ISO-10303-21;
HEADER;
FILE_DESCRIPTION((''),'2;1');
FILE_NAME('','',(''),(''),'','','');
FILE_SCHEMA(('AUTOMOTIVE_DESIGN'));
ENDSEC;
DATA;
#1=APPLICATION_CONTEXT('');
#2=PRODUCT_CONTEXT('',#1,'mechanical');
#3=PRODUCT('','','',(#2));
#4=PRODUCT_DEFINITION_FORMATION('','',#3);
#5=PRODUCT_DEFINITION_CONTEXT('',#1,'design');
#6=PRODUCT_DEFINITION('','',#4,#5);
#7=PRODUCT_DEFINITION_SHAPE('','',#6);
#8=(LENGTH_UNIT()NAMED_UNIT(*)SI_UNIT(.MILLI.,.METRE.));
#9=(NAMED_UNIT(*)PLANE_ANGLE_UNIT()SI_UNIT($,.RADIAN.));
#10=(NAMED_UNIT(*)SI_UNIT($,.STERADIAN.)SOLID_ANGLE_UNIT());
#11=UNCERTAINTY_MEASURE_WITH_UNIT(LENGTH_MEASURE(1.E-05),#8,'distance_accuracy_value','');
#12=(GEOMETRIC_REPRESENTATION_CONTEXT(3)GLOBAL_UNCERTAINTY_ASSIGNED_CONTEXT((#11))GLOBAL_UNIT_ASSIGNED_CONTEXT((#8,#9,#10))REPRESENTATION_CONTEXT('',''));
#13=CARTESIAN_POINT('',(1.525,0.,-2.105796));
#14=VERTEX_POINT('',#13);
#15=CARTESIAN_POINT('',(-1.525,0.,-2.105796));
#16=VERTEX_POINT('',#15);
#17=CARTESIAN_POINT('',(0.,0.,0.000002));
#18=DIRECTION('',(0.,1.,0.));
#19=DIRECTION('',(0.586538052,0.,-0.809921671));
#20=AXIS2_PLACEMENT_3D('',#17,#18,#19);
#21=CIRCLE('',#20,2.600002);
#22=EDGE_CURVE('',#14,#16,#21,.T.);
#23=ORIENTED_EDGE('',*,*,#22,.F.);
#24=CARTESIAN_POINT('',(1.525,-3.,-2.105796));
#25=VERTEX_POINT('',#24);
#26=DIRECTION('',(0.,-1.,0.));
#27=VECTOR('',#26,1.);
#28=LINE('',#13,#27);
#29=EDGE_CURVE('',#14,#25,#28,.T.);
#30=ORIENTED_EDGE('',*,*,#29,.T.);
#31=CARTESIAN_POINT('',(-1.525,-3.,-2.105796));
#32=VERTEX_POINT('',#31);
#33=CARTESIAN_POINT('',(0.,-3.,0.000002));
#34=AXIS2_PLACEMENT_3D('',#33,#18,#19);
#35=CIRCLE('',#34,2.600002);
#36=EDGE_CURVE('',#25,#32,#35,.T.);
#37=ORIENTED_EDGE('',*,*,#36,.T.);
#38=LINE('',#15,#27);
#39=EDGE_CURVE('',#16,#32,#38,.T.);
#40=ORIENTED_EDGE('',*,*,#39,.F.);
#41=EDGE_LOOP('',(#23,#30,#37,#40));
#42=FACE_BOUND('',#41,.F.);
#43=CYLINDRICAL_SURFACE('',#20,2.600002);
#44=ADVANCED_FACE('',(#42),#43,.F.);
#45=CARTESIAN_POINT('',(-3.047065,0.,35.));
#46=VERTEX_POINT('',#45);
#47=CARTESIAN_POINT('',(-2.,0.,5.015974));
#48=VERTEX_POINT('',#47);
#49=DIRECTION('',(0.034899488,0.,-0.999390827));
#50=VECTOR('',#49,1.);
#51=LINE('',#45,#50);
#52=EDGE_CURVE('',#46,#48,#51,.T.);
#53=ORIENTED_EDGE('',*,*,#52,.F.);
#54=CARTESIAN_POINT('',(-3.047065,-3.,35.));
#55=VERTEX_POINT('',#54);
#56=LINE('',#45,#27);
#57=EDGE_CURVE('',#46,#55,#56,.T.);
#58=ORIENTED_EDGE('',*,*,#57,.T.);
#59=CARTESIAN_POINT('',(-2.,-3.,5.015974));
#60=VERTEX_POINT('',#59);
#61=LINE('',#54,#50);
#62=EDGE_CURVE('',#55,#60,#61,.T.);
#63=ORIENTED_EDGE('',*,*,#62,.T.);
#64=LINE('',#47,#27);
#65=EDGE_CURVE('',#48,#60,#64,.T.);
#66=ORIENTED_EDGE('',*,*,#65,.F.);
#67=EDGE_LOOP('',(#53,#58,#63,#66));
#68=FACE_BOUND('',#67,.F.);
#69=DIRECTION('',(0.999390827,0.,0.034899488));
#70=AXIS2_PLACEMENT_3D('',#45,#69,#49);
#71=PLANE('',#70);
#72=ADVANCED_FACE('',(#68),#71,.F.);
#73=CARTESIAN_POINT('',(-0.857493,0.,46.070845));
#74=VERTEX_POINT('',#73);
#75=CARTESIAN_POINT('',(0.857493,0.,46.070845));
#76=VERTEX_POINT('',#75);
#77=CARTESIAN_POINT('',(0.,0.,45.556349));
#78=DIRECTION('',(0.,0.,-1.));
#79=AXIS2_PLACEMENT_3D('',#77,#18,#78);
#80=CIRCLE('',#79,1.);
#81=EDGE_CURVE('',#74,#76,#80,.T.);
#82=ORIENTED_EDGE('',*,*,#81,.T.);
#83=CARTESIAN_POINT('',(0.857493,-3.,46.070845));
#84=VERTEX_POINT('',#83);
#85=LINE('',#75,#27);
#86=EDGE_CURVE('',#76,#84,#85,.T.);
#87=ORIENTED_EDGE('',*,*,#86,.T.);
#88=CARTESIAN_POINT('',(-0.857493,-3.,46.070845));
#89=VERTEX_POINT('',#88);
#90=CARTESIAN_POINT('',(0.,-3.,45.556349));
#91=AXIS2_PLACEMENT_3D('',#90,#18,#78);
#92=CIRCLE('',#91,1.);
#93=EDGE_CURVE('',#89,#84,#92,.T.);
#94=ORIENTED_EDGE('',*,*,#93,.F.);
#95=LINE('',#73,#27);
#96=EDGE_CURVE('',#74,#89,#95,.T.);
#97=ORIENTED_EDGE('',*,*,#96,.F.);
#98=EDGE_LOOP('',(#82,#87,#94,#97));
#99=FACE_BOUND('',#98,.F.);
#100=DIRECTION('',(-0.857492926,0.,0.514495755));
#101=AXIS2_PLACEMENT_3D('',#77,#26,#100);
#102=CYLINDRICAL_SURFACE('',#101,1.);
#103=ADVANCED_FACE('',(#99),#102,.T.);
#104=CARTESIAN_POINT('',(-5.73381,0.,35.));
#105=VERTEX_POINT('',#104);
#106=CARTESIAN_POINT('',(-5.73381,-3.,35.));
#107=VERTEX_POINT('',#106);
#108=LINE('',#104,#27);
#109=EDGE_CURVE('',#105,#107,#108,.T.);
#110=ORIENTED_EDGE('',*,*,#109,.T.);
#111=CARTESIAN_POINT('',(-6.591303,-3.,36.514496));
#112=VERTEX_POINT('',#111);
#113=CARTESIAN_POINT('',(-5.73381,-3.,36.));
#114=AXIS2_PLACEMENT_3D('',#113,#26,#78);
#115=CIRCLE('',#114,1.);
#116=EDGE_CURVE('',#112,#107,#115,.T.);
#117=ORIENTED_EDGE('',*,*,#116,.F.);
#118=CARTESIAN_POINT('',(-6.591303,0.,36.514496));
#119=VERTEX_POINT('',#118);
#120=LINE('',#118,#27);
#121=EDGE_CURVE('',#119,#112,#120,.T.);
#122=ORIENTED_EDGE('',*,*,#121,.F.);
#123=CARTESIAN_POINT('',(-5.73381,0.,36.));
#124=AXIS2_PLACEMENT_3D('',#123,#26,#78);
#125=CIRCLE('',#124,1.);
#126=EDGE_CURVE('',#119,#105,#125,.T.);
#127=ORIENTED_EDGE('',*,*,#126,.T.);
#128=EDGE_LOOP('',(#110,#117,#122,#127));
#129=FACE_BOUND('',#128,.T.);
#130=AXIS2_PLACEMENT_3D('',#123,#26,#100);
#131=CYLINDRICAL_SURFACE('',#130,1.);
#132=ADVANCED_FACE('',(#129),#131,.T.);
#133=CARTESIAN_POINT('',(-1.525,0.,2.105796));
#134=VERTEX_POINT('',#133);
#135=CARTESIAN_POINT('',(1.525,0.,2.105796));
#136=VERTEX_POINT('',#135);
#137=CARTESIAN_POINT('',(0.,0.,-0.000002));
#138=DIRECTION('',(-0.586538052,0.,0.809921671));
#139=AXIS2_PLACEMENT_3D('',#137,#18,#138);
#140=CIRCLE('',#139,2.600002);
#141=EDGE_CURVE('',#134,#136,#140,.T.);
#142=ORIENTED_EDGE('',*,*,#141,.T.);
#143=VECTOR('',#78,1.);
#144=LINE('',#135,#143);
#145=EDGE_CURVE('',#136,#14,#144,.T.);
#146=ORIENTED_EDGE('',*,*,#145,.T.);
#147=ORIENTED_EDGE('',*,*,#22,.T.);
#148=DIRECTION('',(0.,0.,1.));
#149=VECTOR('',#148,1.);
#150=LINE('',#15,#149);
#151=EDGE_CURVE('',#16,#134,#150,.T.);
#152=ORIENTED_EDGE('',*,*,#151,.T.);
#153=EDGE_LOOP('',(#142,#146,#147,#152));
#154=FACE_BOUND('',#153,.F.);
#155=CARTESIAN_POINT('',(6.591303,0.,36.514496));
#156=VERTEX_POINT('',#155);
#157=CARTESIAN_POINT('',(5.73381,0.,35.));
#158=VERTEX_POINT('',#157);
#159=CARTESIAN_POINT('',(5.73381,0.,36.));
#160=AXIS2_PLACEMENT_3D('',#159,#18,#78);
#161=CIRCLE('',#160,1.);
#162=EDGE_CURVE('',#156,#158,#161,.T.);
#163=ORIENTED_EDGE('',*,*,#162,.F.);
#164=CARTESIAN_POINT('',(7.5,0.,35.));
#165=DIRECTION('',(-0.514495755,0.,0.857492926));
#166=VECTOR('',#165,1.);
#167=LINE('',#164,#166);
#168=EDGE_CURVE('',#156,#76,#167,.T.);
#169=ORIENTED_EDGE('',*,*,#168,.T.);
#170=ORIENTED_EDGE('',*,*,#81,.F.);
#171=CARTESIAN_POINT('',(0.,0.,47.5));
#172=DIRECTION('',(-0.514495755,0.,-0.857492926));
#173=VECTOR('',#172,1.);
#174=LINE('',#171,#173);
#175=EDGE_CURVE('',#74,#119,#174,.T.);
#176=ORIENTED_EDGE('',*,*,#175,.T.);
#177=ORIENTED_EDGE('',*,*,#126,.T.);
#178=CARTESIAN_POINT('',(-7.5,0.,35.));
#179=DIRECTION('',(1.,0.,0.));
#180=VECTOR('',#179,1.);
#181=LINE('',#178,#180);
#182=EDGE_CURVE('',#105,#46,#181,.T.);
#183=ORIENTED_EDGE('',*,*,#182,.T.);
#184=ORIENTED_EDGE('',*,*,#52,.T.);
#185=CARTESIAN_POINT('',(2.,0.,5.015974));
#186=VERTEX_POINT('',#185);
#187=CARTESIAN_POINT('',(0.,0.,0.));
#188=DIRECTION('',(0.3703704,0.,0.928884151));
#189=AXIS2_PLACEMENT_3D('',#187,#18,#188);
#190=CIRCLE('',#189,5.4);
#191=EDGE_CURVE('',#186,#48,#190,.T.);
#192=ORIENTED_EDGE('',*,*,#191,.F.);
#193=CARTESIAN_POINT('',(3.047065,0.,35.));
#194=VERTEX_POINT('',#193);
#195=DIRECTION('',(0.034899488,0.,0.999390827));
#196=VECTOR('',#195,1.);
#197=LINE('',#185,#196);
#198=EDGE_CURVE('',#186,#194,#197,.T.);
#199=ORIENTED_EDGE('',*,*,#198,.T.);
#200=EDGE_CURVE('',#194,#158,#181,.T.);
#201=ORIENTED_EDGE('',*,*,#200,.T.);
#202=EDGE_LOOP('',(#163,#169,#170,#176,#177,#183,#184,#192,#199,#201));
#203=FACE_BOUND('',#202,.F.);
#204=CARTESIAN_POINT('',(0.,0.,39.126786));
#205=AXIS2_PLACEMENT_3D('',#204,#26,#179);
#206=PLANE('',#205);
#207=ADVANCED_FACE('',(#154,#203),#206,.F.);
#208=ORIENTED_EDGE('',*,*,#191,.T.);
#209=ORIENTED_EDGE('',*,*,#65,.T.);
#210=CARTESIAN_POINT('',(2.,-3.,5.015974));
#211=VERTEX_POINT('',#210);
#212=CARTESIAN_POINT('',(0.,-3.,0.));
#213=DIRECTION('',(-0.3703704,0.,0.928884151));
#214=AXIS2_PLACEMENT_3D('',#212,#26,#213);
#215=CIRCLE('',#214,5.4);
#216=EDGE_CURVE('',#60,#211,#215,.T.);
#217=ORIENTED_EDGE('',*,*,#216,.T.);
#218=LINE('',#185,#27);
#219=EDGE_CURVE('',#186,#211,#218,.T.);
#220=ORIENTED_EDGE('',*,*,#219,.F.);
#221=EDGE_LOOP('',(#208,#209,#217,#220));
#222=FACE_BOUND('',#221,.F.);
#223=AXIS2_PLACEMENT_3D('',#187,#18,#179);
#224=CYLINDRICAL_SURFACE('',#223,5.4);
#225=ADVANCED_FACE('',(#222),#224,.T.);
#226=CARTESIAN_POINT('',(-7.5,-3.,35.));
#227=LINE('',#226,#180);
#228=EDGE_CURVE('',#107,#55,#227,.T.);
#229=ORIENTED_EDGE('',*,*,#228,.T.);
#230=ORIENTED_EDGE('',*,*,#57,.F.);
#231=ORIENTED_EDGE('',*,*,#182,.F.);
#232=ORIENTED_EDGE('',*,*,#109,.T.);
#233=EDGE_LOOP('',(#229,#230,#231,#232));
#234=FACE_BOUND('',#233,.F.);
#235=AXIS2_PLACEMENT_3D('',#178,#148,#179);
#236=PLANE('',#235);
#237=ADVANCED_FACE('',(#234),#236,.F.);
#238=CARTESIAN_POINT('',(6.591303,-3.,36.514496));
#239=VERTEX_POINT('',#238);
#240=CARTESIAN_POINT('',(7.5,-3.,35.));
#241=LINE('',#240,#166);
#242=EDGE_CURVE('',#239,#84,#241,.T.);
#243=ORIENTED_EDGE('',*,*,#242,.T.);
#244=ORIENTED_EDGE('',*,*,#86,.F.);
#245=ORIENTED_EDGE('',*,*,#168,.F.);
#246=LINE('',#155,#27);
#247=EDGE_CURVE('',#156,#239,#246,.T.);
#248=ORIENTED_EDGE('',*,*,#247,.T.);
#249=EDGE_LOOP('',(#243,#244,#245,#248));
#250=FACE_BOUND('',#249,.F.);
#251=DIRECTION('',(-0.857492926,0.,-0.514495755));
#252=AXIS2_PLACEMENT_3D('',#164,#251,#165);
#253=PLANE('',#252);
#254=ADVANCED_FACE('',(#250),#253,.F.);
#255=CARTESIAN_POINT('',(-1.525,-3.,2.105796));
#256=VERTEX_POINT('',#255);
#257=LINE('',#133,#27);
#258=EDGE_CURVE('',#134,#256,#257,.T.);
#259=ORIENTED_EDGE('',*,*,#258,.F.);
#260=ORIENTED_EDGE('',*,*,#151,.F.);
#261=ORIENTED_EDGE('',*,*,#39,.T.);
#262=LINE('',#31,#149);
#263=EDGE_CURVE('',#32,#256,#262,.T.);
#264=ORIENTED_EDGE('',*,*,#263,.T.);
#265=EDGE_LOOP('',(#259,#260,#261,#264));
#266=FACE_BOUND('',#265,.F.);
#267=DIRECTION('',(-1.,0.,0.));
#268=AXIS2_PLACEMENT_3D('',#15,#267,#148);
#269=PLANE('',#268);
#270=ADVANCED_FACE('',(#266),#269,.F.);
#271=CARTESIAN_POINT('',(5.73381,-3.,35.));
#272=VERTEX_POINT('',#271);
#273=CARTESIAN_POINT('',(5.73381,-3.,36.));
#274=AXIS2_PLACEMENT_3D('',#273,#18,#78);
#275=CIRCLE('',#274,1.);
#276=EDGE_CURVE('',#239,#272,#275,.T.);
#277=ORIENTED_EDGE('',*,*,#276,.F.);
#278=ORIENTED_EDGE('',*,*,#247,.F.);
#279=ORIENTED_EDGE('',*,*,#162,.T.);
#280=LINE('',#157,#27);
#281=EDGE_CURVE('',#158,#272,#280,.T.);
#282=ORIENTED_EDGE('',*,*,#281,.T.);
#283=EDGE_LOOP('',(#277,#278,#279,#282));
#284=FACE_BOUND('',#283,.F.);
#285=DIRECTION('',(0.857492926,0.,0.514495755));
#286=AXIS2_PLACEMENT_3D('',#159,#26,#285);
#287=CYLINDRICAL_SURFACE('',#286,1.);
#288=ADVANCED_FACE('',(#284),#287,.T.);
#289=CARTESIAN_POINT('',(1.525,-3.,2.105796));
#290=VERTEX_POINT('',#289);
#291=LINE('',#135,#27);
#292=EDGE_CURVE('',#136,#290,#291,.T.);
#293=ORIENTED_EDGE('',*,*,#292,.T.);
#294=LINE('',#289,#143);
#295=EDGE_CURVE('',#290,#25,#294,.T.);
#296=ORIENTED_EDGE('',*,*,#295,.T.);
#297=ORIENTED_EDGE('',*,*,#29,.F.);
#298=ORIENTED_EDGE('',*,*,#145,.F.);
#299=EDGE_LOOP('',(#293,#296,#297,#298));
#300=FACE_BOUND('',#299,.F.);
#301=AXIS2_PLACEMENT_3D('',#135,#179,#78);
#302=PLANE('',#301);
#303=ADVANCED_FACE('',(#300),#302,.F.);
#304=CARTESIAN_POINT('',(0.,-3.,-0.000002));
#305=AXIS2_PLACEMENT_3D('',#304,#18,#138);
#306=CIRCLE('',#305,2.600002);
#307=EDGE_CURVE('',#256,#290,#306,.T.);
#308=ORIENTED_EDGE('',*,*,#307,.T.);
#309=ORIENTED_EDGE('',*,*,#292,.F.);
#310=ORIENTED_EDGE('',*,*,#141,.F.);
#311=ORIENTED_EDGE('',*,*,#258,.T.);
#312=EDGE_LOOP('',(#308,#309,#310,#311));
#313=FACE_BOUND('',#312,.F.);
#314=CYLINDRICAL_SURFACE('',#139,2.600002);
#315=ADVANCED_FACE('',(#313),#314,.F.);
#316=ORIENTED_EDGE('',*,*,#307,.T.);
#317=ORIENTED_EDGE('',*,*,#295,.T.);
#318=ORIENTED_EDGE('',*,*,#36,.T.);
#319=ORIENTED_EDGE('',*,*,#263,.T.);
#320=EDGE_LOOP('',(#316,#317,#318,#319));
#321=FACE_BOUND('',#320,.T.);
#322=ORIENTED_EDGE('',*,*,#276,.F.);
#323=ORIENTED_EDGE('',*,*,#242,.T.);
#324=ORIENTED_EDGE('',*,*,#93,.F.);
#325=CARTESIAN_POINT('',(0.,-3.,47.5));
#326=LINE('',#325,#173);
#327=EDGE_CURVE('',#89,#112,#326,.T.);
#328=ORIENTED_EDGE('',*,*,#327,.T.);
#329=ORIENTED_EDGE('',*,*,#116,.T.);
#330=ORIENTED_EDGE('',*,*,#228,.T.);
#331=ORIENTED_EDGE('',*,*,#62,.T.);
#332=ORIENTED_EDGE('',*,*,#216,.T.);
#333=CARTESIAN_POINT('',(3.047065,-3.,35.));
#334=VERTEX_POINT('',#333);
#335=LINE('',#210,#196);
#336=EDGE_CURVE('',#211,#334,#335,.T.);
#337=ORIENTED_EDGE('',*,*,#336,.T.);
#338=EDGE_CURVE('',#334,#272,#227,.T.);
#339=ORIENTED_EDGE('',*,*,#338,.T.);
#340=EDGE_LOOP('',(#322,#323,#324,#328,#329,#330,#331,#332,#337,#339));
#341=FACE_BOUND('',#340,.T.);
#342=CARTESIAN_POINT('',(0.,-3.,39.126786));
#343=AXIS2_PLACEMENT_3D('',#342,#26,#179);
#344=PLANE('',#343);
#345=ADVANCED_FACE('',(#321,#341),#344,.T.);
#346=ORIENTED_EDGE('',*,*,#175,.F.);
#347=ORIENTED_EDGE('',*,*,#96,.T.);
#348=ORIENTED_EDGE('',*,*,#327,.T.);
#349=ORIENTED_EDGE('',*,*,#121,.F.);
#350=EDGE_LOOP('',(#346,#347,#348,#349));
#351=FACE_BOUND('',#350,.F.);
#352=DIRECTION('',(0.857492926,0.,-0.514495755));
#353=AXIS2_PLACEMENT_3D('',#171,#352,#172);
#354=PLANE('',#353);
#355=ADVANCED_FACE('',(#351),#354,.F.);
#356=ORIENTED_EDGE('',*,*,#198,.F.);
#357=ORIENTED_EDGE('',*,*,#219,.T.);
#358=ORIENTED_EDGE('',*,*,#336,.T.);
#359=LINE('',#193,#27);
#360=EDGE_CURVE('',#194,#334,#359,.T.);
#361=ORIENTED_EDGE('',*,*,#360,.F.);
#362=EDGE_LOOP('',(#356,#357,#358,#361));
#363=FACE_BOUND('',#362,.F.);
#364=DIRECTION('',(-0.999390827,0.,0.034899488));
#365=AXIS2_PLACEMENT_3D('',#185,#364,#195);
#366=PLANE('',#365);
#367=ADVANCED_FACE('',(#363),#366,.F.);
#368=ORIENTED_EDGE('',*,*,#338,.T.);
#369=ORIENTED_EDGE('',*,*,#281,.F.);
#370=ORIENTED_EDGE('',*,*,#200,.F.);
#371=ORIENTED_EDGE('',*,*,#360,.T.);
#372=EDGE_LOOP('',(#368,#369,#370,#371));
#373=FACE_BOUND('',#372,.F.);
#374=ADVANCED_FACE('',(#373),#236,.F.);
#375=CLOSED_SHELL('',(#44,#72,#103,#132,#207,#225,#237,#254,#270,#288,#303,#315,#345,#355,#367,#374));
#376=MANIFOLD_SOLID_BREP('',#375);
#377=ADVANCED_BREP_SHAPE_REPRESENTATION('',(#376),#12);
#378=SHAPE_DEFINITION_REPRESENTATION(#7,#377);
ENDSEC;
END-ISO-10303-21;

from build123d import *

# Parameters (mm, degrees)
F0_R     = 5.4
F1_DEPTH = 3
F3_DEPTH = 3
F5_DEPTH = 3
F6_R     = 1


with BuildPart() as f1:
    # F0 (on Front) → F1 (new body)
    with BuildSketch(Plane.XZ):
        Circle(F0_R)
        with BuildLine():
            ThreePointArc((1.525, 2.105796), (2.315707, 1.182159), (2.6, 0))
            ThreePointArc((2.6, 0), (2.315707, -1.182159), (1.525, -2.105796))
            ThreePointArc((1.525, -2.105796), (0, -2.6), (-1.525, -2.105796))
            ThreePointArc((-1.525, -2.105796), (-2.6, 0), (-1.525, 2.105796))
            ThreePointArc((-1.525, 2.105796), (0, 2.6), (1.525, 2.105796))
        make_face(mode=Mode.SUBTRACT)
        with BuildLine():
            Line((-1.525, -2.105796), (-1.525, 2.105796))
            ThreePointArc((-1.525, 2.105796), (-2.6, 0), (-1.525, -2.105796))
        make_face()
        with BuildLine():
            ThreePointArc((1.525, -2.105796), (2.315707, -1.182159), (2.6, 0))
            ThreePointArc((2.6, 0), (2.315707, 1.182159), (1.525, 2.105796))
            Line((1.525, 2.105796), (1.525, -2.105796))
        make_face()
    extrude(amount=F1_DEPTH)

    # F2 (on Front) → F3 (join, through all)
    with BuildSketch(Plane.XZ):
        Polygon((3.047065, 35), (0, 35), (-3.047065, 35), (-2, 5.015974), (0, 5.015974), (2, 5.015974), align=None)
    extrude(amount=F3_DEPTH)

    # F4 (on Front) → F5 (join, through all)
    with BuildSketch(Plane.XZ):
        Polygon((0, 47.5), (-7.5, 35), (7.5, 35), align=None)
    extrude(amount=F5_DEPTH)

    # F6
    f6_edges = [f1.edges().sort_by_distance(p)[0] for p in [
        (-7.5, -1.5, 35),
        (0, -1.5, 47.5),
        (7.5, -1.5, 35),
    ]]
    fillet(f6_edges, radius=F6_R)


solid = f1.part
